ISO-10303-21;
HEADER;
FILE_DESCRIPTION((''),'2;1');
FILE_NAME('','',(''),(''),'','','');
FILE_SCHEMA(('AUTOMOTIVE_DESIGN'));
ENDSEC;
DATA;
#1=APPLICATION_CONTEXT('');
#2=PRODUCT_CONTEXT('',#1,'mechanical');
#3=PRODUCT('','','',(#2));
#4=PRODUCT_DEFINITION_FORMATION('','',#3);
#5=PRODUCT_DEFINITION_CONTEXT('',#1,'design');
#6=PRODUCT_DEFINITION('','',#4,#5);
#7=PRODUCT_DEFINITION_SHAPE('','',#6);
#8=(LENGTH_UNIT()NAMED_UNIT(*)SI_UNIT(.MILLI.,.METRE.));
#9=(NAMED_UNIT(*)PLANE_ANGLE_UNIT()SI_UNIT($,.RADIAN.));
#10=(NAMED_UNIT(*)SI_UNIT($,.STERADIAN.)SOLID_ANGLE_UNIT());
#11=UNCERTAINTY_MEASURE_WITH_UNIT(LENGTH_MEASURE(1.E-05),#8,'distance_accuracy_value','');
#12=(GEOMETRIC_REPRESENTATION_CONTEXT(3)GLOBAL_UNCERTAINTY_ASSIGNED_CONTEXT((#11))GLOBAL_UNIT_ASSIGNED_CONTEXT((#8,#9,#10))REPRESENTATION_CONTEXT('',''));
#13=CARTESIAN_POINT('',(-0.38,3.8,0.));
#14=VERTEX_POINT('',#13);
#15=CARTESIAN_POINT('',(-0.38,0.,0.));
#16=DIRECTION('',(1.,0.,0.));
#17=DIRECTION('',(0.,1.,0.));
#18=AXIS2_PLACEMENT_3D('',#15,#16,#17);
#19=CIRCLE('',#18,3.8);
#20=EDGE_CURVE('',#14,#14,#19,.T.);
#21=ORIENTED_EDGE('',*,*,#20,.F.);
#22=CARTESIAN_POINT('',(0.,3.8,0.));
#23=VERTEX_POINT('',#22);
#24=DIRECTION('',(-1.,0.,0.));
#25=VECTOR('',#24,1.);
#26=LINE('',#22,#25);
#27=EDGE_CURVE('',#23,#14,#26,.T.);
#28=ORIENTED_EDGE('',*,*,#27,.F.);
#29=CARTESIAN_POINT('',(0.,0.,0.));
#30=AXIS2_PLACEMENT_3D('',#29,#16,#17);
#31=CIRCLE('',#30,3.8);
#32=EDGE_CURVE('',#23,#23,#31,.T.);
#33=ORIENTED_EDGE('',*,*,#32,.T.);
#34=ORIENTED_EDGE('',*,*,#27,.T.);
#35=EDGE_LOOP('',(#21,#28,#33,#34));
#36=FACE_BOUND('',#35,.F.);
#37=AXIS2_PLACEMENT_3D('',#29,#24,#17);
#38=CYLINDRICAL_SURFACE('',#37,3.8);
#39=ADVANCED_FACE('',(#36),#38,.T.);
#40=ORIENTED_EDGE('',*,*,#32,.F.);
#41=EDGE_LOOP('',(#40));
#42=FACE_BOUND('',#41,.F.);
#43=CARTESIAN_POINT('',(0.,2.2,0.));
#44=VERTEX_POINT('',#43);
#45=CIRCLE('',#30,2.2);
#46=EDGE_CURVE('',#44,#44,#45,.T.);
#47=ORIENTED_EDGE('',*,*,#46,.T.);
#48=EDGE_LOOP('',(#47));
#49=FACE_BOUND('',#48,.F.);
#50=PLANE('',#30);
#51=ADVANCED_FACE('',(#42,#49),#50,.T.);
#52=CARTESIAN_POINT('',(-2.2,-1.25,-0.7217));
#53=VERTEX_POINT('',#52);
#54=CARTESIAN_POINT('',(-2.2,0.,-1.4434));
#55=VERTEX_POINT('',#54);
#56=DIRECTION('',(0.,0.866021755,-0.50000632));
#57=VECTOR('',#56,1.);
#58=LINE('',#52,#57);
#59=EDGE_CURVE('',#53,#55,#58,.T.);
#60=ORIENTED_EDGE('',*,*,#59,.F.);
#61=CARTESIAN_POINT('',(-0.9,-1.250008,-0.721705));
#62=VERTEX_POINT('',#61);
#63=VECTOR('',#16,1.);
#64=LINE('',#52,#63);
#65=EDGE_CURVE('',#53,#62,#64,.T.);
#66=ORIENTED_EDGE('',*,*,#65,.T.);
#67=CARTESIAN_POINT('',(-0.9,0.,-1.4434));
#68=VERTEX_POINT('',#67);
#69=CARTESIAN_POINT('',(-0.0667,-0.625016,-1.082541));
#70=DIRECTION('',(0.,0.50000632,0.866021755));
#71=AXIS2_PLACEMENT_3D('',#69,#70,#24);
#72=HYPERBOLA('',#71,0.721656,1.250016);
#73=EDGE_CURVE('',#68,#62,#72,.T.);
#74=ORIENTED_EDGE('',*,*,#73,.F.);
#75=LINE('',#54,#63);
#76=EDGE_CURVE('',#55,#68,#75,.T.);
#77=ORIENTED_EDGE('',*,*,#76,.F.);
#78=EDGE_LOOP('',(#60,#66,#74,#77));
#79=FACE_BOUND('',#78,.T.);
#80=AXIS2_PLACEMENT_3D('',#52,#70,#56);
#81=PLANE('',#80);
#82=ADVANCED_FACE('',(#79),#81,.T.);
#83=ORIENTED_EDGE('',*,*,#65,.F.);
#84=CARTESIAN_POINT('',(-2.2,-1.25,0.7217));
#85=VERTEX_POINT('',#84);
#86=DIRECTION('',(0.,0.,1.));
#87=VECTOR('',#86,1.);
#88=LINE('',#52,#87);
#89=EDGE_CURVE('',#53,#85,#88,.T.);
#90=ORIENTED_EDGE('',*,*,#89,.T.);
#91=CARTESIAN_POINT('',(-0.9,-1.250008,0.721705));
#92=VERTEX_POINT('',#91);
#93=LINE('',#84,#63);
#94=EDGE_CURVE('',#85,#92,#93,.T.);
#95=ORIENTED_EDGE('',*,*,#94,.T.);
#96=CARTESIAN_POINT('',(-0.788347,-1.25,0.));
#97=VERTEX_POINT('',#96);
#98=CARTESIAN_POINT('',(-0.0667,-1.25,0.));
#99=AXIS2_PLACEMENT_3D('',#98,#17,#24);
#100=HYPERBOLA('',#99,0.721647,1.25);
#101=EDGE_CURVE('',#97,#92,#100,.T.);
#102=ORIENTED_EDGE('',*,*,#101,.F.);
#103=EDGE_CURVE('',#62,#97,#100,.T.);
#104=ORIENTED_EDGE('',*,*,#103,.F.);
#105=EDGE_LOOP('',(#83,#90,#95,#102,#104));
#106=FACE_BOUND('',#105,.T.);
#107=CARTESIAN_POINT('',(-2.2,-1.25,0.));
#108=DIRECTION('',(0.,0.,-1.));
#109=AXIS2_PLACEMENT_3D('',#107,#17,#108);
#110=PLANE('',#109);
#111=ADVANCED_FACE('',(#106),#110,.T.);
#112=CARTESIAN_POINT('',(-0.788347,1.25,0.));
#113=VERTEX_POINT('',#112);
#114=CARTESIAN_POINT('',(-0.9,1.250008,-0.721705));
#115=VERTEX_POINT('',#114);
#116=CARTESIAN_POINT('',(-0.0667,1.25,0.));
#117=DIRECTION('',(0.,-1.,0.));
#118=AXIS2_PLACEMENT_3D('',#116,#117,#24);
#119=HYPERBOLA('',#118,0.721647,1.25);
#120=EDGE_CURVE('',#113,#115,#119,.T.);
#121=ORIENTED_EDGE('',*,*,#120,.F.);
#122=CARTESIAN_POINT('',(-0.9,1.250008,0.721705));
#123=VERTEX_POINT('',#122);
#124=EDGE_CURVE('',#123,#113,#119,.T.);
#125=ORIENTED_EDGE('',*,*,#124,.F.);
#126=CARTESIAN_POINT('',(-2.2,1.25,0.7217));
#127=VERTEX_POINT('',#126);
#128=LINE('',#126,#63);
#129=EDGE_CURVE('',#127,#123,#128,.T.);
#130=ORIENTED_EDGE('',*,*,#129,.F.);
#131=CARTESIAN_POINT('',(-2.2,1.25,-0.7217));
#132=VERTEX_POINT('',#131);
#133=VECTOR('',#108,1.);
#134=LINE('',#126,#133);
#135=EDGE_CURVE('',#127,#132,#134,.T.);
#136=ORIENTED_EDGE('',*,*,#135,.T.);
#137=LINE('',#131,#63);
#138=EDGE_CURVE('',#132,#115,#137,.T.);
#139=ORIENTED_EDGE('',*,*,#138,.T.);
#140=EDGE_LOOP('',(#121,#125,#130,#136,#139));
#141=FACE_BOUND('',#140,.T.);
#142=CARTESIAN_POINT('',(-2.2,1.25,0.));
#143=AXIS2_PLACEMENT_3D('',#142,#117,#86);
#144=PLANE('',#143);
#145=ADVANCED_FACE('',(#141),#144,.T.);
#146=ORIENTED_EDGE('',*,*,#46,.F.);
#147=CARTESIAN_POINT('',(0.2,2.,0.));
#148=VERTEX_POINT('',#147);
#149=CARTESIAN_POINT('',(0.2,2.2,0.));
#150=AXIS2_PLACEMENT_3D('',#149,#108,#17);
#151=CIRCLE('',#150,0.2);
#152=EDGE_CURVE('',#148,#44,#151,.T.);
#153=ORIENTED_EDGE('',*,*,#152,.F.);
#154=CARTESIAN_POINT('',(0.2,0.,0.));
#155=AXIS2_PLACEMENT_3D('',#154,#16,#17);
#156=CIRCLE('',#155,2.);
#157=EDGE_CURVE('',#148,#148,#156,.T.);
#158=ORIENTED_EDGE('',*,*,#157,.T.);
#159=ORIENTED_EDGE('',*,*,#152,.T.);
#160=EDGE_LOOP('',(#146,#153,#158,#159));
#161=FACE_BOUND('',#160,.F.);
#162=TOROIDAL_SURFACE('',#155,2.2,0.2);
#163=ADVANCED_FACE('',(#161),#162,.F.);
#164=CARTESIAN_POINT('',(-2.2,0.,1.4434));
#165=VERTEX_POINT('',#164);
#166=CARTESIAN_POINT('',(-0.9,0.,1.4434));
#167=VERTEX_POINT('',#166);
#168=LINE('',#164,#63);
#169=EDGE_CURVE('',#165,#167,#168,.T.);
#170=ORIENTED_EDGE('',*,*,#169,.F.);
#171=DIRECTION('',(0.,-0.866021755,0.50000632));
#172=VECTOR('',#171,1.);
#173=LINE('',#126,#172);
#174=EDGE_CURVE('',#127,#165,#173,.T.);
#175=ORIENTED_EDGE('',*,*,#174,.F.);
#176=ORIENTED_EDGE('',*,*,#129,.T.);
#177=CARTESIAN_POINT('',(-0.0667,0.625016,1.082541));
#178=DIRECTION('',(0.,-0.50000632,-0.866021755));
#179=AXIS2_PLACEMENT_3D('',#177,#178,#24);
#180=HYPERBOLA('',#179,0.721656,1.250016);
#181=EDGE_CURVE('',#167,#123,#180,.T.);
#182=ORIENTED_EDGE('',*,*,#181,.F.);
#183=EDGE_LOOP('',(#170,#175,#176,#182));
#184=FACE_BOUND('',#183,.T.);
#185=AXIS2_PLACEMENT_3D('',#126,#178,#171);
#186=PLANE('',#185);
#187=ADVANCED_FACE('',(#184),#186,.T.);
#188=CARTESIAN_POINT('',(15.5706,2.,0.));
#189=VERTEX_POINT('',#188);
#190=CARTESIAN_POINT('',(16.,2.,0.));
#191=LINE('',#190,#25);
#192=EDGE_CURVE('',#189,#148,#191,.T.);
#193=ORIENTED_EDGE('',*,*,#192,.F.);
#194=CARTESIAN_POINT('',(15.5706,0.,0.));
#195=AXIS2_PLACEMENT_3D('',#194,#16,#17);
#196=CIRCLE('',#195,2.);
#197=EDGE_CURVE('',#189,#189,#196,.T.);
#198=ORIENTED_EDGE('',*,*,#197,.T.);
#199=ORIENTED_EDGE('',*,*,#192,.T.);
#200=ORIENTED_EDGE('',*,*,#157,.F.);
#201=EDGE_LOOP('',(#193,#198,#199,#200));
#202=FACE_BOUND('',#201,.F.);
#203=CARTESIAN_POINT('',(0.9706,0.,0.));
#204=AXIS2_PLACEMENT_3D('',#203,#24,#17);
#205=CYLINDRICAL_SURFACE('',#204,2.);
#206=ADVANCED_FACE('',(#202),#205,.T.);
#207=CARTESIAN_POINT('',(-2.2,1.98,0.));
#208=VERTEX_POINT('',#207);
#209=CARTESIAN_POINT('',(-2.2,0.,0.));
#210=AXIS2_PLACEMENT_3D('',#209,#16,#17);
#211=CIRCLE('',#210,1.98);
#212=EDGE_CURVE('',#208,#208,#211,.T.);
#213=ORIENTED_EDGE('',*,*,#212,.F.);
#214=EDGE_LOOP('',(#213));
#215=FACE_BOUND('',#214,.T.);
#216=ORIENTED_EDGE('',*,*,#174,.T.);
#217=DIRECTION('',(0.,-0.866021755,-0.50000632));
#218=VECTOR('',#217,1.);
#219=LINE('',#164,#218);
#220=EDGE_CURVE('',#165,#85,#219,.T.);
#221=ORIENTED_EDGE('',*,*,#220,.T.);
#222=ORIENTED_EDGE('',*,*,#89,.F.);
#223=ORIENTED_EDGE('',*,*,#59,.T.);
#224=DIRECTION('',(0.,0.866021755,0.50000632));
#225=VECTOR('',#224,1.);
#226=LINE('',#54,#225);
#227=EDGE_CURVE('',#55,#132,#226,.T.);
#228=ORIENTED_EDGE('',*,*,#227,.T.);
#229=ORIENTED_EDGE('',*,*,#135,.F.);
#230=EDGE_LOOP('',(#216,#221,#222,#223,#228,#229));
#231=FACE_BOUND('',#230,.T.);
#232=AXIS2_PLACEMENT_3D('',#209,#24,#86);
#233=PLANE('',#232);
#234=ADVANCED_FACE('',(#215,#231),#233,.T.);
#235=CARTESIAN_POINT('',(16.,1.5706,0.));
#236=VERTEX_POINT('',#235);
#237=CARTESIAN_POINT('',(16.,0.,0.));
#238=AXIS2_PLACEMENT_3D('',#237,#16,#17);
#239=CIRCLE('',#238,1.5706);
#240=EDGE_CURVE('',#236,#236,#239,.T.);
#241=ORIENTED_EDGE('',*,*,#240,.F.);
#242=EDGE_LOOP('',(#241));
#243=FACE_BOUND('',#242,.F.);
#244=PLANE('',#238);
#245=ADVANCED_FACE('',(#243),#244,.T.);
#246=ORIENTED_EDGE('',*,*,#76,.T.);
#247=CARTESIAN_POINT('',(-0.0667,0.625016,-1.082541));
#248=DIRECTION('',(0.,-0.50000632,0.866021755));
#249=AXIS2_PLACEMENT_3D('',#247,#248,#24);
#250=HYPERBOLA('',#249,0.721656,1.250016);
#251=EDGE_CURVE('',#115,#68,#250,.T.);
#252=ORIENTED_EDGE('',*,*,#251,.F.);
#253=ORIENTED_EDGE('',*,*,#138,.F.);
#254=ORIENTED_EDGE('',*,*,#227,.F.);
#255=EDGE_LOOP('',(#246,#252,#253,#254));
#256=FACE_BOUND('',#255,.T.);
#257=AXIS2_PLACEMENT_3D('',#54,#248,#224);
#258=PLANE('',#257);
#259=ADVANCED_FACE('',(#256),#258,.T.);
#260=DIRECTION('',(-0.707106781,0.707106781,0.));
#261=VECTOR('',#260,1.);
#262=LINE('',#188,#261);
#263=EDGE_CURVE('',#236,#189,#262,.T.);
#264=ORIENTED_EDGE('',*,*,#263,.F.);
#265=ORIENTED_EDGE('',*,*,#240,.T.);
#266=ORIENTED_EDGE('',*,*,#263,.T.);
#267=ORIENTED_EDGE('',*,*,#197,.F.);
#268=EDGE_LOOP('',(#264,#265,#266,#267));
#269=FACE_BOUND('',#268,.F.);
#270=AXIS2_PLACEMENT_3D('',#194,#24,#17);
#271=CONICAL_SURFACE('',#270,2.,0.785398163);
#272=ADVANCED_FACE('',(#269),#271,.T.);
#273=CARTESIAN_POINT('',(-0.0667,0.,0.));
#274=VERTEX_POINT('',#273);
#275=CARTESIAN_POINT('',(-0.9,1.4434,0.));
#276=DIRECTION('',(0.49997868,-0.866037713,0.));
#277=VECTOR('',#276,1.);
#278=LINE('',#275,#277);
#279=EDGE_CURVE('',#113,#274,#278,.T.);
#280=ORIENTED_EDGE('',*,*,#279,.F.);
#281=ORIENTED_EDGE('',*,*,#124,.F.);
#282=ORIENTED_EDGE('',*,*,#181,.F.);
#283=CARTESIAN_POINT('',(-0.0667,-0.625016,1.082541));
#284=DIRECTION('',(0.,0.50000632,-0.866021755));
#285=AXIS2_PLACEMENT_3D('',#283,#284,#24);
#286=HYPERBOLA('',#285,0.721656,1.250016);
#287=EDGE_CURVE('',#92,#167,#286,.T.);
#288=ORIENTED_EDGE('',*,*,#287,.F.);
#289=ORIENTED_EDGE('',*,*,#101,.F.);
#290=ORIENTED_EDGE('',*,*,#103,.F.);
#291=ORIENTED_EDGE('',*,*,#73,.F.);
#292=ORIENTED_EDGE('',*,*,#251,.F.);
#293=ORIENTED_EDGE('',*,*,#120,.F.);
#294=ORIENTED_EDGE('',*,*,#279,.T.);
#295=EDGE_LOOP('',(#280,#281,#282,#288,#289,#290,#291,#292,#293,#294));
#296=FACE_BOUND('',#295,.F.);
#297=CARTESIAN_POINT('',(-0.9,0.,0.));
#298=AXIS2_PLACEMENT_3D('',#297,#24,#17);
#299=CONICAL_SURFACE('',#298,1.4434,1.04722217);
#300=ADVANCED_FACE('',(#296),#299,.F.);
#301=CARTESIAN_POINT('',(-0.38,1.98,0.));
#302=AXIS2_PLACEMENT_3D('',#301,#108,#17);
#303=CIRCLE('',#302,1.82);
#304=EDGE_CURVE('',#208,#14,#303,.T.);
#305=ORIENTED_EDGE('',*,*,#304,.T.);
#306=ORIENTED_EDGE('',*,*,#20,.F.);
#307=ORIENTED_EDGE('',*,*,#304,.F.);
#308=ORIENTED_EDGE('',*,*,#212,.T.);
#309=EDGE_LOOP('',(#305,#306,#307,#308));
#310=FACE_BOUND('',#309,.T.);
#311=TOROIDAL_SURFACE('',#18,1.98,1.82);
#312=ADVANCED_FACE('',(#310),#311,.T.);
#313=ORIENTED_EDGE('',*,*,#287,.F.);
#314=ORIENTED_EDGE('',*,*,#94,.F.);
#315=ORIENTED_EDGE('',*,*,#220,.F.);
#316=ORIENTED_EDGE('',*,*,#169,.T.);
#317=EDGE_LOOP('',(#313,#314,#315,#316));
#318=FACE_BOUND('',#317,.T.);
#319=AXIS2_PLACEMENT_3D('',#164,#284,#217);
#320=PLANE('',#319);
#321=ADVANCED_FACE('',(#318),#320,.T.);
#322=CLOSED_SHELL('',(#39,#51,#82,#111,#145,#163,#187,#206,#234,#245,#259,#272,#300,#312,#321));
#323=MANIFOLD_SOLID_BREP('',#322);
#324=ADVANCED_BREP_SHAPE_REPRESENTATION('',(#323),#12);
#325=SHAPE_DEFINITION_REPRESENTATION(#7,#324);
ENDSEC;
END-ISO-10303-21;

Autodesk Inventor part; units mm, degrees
ref_plane "YZ Plane" through (0, 0, 0) normal (1, 0, 0) x (0, 1, 0)
ref_plane "XZ Plane" through (0, 0, 0) normal (0, 1, 0) x (-1, 0, 0)
sketch "Sketch1" plane through (0, 0, 0) normal (0, 0, 1) x (1, 0, 0)
  line L0 (-0.0667, 0) -> (16, 0)
  line L1 (16, 0) -> (16, 2)
  line L2 (16, 2) -> (1.4, 2)
  line L3 (1.4, 2) -> (0.9706, 2)
  line L4 (0.9706, 2) -> (0, 2)
  line L5 (0, 2) -> (0, 3.8)
  line L6 (0, 3.8) -> (-2.2, 3.8)
  line L7 (-2.2, 3.8) -> (-2.2, 1.4434)
  line L8 (-2.2, 1.4434) -> (-0.9, 1.4434)
  line L9 (-0.9, 1.4434) -> (-0.0667, 0)
  line L10 (-5.84, 0) -> (19.64, 0) projected
  line L11 (0, -0.76) -> (0, 4.56) projected
  line L12 (1.4, 2) -> (0, 2) construction
  dimension "d0" = 14.6
  dimension "d1" = 0.4294
  dimension "d2" = 2.2
  dimension "d3" = 1.3
  dimension "d4" = 60
  dimension "d5" = 4
  dimension "d6" = 4
  dimension "d7" = 2.8868
  dimension "d8" = 7.6
  dimension "d19" = 16
revolve "Body" add sketch "Sketch1" angle 360 about axis through (-0.0667, 0, 0) along (1, 0, 0)
sketch "Sketch2" plane through (-2.2, 0, 0) normal (-1, 0, 0) x (0, 0, 1)
  circle A0 centre (0, 0) radius 1.4434 projected
  line L0 (0, -5.32) -> (0, 5.32) projected
  line L1 (-5.32, 0) -> (5.32, 0) projected
  line L2 (1.4434, 0) -> (0.7217, -1.25)
  line L3 (0.7217, -1.25) -> (-0.7217, -1.25)
  line L4 (-0.7217, -1.25) -> (-1.4434, 0)
  line L5 (-1.4434, 0) -> (-0.7217, 1.25)
  line L6 (-0.7217, 1.25) -> (0.7217, 1.25)
  line L7 (0.7217, 1.25) -> (1.4434, 0)
  point P0 (0, 0)
extrude "Slot" add sketch "Sketch2" against normal up to next contours L7 A0 | A0 L2 | L6 L0 A0 | A0 L0 L3 | L0 L6 A0 | A0 L3 L0 | L4 A0 | A0 L5
fillet "Fillet1" radius 1.82 1 edges at (-2.2, -3.8, 0)
thread "Thread" size "M4x0.7" class "4g6g" standard "ANSI Metric M Profile" length 14.6
chamfer "Chamfer1" distance 0.4294 distance2 0.4294 1 edges at (16, -2, 0) measured on face at (16, 0.527, -0.2661)
fillet "Fillet2" radius 0.2 1 edges at (0, -2, 0)
ref_plane "Work Plane1" through (30, 0, 0) normal (0, -0.5, 0.866) x (1, 0, 0)
equation "\"d0\" = GEL"
equation "\"d1\" = GAL"
equation "\"d2\" = KOH"
equation "\"d3\" = INTI"
equation "\"d5\" = GD"
equation "\"d6\" = BDM"
equation "\"d7\" = 1.1547 * SW"
equation "\"d8\" = KOD"
equation "\"d19\" = NLG"
equation "\"d16\" = RR"
equation "\"d12\" = GEL"
equation "\"d14\" = -0.5 * SPD + 0.5 * GD"
equation "\"d15\" = GUL"
equation "\"d29\" = R"
equation "\"GD\" = NND"
equation "\"NLG\" = 16"
equation "\"GEL\" = 14.6"
equation "\"KOD\" = 7.6"
equation "\"KOH\" = 2.2"
equation "\"INTI\" = 1.3"
equation "\"GAL\" = 0.61345 * PTC"
equation "\"GUL\" = 0.61345 * PTC"
equation "\"BDM\" = NND"
equation "\"SW\" = 2.5"
equation "\"RR\" = 1.82"
equation "\"SPD\" = 3.14117"
equation "\"d28\" = R"
equation "\"R\" = 0.2"
equation "\"TOA\" = 30deg"
equation "\"THREADDIA\" = 4"
equation "\"KOD1\" = KOD - 2 * RR"
equation "\"PTC\" = 0.7"
equation "\"NND\" = 4"
equation "\"E0\" = 1.155 * SW"
equation "\"GD1\" = THREADDIA - 1.2269 * PTC"
properties part number "11-4116" material "Steel, Mild"
